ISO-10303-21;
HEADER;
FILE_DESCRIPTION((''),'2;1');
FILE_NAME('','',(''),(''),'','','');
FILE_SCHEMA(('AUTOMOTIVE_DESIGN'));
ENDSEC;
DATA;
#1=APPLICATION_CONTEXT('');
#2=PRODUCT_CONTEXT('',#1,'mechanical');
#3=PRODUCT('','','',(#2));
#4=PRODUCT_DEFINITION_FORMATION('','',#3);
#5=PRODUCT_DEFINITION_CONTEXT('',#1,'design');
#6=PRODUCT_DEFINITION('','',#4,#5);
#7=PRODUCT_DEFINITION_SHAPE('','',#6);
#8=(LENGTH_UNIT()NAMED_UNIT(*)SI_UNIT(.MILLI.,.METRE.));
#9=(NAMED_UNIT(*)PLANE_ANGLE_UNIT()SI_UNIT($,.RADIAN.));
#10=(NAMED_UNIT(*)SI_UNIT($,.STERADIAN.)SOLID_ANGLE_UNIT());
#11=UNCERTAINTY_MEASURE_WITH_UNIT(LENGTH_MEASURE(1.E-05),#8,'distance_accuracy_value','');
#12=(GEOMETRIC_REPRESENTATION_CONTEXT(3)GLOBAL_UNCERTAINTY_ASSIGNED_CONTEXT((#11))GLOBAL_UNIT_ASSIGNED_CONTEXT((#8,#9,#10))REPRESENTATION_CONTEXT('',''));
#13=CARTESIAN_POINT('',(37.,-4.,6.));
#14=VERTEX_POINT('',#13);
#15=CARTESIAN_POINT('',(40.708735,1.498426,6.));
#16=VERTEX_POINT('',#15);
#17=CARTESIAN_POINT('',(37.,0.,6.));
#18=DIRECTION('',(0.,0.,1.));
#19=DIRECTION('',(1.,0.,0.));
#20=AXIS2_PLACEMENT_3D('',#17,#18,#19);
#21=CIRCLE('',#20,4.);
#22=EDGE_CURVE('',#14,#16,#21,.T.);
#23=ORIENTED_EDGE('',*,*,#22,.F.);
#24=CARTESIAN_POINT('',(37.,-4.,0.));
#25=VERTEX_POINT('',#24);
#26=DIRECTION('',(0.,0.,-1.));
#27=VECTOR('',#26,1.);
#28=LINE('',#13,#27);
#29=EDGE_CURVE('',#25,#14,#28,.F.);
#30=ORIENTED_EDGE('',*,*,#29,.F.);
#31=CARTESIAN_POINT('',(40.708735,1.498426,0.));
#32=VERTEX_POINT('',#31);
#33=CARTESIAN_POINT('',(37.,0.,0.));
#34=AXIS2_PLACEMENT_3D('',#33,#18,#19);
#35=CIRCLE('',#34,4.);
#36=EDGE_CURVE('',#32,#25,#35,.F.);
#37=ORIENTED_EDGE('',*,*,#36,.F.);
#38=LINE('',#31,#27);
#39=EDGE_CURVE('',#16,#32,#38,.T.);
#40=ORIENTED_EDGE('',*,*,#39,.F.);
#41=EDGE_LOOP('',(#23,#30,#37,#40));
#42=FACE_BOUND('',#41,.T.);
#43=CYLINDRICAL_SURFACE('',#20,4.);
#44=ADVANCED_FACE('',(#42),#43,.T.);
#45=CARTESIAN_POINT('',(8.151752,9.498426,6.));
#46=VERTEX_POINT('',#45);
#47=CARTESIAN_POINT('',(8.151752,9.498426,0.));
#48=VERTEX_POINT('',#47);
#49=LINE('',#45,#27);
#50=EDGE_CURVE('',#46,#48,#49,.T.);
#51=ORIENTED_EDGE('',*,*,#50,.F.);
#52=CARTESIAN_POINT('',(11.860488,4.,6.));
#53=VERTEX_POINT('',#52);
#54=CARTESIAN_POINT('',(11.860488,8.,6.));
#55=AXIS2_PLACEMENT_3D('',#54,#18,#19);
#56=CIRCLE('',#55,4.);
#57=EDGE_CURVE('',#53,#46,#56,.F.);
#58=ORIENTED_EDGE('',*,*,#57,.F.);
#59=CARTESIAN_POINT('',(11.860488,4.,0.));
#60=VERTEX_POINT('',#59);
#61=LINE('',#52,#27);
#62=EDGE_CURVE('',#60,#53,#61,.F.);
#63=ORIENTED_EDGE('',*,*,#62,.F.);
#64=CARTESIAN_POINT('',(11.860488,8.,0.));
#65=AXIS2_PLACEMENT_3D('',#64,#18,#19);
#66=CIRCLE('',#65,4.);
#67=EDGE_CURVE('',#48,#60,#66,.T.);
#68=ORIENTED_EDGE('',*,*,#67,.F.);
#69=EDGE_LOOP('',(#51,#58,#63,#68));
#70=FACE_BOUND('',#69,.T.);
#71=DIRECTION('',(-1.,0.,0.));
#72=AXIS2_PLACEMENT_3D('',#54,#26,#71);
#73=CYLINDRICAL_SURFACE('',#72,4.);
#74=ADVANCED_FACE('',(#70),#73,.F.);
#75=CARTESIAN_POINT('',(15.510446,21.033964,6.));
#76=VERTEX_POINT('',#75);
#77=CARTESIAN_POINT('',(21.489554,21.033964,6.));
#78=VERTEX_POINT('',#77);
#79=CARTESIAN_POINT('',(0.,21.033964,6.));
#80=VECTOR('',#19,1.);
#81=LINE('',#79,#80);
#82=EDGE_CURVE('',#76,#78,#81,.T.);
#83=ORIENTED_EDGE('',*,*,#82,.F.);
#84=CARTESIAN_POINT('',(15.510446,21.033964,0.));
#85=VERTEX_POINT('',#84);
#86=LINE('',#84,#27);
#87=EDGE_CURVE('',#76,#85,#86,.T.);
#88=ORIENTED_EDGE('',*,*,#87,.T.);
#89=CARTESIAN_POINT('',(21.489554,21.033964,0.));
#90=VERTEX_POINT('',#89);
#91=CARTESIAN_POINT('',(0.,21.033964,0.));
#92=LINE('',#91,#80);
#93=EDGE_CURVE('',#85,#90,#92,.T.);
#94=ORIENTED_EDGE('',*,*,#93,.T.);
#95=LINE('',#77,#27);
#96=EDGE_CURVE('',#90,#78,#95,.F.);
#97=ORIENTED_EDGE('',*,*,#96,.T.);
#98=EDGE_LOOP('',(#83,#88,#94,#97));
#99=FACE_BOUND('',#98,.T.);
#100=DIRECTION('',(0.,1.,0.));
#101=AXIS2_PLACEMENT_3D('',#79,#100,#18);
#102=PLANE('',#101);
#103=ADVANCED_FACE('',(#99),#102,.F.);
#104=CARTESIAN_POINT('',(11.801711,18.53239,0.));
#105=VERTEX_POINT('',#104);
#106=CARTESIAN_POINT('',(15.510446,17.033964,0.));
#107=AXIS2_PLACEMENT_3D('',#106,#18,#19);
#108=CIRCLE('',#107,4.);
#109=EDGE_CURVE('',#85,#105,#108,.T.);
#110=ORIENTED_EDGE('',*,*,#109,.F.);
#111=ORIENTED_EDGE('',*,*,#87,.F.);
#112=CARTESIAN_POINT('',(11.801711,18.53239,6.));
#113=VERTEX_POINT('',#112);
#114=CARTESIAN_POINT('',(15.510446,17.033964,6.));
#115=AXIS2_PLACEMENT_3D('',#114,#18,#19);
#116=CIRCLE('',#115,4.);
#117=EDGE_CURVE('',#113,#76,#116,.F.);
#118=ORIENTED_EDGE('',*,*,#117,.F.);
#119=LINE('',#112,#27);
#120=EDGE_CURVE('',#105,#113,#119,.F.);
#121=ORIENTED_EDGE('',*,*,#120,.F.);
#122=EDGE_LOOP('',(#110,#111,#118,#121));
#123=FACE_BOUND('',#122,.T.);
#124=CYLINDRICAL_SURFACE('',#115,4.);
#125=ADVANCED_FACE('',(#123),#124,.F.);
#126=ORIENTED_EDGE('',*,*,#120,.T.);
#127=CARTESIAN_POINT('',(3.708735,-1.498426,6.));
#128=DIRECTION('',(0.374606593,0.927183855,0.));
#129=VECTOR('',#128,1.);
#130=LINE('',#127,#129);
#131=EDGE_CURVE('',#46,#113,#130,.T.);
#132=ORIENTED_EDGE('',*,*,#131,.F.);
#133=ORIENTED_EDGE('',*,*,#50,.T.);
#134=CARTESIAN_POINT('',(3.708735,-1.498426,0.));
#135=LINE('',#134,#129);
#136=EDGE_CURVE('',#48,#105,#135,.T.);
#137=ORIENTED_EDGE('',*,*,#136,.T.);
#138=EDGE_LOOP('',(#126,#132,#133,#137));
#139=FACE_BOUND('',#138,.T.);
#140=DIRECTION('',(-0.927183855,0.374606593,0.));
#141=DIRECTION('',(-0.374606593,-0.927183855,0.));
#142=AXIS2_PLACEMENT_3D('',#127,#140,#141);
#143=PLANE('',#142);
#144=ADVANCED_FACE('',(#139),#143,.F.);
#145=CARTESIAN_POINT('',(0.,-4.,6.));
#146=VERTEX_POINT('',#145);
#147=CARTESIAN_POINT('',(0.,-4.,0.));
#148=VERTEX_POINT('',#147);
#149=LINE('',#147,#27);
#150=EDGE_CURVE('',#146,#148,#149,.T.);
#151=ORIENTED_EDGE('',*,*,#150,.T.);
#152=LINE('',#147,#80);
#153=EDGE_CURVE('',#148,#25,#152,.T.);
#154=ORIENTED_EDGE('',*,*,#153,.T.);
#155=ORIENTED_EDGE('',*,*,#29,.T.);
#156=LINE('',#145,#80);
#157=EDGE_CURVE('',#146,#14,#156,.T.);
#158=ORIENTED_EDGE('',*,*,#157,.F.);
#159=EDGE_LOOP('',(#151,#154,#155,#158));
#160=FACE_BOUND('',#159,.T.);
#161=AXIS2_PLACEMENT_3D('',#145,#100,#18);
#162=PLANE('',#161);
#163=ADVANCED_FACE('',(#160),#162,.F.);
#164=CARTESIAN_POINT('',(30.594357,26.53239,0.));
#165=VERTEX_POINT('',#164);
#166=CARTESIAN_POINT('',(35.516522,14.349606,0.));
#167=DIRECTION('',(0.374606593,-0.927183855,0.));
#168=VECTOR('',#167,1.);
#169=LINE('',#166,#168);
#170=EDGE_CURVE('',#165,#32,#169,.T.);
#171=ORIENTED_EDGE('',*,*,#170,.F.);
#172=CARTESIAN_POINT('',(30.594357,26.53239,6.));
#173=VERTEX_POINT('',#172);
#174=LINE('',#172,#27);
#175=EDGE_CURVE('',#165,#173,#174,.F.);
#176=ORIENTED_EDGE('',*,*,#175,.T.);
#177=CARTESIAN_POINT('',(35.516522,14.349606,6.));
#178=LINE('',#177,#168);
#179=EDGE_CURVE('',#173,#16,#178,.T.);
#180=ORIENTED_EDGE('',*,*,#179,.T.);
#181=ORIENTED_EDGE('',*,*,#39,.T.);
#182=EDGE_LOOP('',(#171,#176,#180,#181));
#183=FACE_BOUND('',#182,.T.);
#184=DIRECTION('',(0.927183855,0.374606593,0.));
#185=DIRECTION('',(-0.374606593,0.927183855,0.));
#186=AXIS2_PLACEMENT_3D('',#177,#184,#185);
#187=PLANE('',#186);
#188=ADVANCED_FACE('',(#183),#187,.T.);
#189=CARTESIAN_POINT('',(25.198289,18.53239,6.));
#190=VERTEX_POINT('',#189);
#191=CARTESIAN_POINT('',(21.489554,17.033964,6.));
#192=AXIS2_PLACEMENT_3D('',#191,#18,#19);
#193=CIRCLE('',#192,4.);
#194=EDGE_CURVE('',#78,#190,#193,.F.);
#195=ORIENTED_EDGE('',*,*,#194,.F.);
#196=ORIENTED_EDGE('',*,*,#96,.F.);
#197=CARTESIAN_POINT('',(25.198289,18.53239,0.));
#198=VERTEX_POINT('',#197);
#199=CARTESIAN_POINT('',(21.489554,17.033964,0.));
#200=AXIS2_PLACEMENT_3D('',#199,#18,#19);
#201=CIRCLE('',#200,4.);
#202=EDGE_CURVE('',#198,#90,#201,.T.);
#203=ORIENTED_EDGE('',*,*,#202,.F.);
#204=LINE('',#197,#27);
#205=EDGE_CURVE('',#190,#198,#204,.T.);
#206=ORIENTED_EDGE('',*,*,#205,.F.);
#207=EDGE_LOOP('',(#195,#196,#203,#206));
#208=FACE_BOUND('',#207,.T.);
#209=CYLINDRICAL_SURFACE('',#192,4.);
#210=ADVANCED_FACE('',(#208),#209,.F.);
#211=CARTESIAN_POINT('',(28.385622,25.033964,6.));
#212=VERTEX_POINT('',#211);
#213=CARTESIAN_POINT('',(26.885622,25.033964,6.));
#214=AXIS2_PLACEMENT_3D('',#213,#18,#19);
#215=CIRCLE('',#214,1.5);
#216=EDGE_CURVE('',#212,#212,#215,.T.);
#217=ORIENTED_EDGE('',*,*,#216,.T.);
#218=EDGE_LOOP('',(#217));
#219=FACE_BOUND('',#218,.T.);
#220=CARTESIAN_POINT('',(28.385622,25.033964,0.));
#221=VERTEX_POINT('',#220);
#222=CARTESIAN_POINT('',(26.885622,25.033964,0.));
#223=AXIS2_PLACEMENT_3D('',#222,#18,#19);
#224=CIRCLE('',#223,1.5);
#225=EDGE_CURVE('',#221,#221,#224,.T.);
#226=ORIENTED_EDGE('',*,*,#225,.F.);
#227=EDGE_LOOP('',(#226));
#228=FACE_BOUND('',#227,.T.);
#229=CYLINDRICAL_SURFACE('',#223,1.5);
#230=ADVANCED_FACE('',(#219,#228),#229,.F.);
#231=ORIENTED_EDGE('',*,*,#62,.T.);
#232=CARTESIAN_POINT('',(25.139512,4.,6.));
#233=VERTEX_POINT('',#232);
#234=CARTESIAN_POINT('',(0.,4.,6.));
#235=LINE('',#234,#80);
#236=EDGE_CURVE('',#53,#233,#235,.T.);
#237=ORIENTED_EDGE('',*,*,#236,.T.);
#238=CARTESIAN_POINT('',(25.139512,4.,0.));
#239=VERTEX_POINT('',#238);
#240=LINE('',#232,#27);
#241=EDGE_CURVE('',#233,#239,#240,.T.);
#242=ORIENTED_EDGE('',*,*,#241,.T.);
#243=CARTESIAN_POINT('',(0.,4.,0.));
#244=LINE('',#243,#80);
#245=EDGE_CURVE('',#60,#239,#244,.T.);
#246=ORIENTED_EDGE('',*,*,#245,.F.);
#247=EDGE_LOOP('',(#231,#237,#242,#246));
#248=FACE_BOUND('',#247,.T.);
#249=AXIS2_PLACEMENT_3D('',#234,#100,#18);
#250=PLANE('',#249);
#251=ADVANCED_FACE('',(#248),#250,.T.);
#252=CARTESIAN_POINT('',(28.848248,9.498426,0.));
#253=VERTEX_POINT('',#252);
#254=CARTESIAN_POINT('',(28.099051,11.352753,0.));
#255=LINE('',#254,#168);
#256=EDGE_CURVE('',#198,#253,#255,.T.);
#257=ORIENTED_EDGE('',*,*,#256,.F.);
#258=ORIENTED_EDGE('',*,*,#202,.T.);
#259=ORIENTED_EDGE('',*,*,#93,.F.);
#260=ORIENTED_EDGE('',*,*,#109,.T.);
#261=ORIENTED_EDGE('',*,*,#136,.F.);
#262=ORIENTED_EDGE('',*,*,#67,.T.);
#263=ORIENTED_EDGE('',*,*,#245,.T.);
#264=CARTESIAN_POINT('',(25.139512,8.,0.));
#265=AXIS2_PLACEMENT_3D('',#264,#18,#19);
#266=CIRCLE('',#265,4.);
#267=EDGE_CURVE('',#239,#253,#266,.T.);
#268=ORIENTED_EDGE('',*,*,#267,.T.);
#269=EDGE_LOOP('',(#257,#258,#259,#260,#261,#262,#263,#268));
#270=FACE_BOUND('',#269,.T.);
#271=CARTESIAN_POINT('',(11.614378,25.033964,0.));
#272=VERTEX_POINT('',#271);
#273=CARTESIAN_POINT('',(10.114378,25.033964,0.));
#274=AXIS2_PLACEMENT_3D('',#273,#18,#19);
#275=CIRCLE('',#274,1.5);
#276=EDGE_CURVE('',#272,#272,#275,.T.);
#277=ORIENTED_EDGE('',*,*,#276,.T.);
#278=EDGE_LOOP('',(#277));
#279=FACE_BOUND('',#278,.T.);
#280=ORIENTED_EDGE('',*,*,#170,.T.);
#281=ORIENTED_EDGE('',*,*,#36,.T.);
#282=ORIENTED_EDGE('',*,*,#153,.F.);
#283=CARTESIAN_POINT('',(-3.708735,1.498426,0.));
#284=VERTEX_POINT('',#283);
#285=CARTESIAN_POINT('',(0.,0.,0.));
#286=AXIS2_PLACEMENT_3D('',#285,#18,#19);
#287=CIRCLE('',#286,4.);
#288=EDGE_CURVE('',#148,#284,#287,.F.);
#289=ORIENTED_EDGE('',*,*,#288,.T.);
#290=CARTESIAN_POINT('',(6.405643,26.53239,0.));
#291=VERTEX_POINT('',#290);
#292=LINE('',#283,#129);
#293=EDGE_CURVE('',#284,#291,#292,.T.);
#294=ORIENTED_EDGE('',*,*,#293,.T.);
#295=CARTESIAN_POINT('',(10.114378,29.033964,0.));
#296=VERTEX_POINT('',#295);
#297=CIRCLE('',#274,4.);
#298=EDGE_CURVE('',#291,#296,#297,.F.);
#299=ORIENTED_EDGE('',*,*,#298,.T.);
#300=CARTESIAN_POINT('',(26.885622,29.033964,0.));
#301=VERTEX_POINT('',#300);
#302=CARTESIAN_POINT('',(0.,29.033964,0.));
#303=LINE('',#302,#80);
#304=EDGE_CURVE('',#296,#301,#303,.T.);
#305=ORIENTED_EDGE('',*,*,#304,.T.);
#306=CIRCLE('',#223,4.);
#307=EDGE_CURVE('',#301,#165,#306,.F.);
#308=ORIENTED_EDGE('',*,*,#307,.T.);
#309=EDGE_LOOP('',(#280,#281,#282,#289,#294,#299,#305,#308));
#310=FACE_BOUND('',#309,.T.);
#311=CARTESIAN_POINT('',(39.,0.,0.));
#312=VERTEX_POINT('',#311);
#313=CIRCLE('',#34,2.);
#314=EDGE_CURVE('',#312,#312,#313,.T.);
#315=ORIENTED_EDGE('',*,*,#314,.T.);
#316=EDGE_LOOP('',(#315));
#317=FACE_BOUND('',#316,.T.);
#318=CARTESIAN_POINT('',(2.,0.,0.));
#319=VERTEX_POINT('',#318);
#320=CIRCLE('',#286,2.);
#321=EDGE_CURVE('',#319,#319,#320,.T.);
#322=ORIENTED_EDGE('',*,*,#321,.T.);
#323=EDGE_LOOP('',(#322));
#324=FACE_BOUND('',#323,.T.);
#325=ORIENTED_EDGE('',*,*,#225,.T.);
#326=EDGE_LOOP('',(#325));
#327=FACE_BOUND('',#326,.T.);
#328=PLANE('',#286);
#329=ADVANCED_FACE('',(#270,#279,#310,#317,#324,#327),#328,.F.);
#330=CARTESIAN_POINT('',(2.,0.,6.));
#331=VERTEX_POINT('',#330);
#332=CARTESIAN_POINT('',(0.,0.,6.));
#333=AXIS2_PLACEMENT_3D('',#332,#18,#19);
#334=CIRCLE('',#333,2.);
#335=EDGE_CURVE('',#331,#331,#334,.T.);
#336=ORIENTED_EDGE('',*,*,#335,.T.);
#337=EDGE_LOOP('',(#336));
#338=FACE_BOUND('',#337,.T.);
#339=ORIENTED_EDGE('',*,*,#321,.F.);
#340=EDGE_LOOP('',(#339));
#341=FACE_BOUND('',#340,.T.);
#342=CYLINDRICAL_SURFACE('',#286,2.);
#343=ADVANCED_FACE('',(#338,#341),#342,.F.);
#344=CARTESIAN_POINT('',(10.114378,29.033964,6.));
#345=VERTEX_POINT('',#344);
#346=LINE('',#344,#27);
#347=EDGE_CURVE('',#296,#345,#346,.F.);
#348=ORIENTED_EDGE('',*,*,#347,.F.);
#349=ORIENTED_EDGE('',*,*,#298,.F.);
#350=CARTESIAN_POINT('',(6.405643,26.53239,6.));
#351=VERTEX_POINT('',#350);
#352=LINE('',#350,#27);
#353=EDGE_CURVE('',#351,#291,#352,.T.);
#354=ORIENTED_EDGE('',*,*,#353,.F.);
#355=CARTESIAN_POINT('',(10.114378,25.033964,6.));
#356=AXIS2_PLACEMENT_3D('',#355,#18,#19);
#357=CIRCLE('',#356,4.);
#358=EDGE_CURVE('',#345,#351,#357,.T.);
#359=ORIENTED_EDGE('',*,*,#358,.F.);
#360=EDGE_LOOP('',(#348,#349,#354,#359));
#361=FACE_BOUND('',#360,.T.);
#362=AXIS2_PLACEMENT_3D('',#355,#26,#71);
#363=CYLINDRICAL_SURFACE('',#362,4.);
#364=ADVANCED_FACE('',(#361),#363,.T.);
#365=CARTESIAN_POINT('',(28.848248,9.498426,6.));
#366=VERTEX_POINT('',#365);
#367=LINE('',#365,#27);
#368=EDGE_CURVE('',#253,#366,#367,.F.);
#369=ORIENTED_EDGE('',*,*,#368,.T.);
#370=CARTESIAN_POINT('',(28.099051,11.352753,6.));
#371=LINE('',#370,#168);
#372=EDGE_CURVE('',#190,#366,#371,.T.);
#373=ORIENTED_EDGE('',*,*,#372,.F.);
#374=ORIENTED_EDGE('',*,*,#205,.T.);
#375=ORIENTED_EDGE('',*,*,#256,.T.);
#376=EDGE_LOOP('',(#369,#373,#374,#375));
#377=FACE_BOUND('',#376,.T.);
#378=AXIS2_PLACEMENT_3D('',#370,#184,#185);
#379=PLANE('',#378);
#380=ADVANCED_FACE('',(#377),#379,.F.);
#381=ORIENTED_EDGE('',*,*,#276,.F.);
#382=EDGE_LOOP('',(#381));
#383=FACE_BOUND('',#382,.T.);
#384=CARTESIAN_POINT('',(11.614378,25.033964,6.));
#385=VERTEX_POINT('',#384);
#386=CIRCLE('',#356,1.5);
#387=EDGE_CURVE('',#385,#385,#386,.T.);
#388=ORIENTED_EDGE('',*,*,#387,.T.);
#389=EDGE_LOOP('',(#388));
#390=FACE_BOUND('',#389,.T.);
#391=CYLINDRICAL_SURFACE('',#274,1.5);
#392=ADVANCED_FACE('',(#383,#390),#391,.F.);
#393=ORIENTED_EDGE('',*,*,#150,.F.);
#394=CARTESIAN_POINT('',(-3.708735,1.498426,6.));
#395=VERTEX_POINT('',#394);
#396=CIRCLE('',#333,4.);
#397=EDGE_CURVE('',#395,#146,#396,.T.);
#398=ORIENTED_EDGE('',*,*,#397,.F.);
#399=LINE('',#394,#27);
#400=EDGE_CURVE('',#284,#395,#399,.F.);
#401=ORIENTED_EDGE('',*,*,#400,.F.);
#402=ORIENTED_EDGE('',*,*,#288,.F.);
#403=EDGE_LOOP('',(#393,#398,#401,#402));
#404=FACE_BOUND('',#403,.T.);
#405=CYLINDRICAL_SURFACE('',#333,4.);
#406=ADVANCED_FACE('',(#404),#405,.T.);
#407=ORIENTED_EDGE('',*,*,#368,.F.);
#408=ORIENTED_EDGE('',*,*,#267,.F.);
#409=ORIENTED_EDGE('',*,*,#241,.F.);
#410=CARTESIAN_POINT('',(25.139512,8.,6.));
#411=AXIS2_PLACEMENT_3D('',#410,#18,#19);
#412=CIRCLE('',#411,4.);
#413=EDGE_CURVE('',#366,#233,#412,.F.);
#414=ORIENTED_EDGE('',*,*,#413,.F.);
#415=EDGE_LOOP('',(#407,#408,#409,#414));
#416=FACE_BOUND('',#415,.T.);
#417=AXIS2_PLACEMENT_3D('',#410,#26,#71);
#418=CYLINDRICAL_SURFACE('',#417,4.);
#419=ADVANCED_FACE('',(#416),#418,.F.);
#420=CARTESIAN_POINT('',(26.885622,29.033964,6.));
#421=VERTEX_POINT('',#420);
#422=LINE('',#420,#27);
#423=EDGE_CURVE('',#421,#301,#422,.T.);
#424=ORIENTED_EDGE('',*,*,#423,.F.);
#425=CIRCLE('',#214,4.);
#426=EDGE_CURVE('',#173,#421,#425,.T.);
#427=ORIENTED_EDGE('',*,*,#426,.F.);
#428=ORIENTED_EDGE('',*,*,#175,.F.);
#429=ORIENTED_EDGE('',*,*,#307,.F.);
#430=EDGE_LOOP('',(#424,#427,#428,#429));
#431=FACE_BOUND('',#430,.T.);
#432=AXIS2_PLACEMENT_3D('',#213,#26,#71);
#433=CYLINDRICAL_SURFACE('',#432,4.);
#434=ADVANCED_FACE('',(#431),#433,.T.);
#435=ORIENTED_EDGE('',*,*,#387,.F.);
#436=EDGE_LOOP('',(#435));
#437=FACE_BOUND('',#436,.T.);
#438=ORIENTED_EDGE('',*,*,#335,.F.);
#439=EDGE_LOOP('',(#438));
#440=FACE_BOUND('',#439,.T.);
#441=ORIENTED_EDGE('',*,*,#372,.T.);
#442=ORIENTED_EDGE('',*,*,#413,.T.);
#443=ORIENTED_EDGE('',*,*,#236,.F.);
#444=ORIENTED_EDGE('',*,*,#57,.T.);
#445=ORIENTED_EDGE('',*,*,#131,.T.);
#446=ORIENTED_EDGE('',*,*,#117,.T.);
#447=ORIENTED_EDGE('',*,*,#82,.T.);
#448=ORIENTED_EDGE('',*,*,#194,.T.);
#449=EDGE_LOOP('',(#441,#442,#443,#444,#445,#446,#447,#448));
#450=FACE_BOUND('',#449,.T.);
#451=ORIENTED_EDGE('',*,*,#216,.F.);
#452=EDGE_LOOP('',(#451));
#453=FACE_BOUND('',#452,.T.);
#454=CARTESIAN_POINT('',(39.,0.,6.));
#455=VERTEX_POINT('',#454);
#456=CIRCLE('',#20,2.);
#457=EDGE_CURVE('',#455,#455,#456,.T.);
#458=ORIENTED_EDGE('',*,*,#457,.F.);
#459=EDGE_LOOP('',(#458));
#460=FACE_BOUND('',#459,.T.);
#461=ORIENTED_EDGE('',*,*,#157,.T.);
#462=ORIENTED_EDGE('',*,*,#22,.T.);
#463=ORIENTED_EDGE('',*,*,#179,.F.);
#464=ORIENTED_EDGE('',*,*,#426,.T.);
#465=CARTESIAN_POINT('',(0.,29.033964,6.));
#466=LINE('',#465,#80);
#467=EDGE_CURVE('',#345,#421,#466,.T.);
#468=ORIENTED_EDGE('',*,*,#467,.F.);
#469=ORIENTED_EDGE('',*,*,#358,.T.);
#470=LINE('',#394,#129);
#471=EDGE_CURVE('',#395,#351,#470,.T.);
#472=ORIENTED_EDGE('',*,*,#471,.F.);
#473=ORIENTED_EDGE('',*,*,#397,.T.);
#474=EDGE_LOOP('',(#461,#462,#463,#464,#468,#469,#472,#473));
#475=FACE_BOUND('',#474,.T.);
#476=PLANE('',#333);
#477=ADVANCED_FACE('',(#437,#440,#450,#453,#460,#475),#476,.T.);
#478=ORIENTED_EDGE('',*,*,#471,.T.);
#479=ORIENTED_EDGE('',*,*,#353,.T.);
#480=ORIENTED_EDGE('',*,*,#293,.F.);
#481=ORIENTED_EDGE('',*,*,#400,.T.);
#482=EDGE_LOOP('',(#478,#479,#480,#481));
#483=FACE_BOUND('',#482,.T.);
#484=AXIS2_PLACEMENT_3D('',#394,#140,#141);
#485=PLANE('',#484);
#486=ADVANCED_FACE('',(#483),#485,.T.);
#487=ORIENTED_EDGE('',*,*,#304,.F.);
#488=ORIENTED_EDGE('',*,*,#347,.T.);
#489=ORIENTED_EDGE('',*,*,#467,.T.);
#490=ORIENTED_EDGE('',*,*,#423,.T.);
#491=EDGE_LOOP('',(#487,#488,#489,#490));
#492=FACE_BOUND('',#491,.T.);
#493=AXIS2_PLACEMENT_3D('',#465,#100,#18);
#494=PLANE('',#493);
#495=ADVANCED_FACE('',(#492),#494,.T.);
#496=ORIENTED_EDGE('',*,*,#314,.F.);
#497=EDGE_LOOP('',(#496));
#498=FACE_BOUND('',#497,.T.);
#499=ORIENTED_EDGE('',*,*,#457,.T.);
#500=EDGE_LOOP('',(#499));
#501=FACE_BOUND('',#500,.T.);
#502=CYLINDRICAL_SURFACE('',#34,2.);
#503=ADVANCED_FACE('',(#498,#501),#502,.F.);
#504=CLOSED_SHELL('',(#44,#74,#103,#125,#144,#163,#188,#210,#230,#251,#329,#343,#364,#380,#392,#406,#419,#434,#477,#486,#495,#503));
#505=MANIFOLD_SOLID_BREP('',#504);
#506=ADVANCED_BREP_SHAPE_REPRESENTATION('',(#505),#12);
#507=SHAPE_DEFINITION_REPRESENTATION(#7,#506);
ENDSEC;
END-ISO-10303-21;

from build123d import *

# Parameters (mm, degrees)
EXTRUDE_1_DEPTH     = 6
SKETCH_5_R          = 2
SKETCH_5_R_2        = 1.5
CUT_EXTRUDE_3_DEPTH = 53.172568548
FILLET_1_R          = 4


with BuildPart() as part:
    # d → 凸台-拉伸1 (new body)
    # profile 1 of 2: a face of its own
    with BuildSketch(Plane.XY):
        Polygon((-5.930243874, -4), (7.416343955, 29.033964073), (29.583656045, 29.033964073), (42.930243874, -4), align=None)
        Polygon((0, 0), (37, 0), (26.885621978, 25.033964073), (10.114378022, 25.033964073), align=None, mode=Mode.SUBTRACT)
    # profile 2 of 2: a face of its own
    with BuildSketch(Plane.XY):
        Polygon((0, 0), (10.114378022, 25.033964073), (26.885621978, 25.033964073), (37, 0), align=None)
        Polygon((5.930243874, 4), (31.069756126, 4), (24.18758791, 21.033964073), (12.81241209, 21.033964073), align=None, mode=Mode.SUBTRACT)
    extrude(amount=EXTRUDE_1_DEPTH)

    # 草图5 → 切除-拉伸3 (cut, through all)
    with BuildSketch(Plane.XY.offset(6)):
        Circle(SKETCH_5_R)
        with Locations((37, 0)):
            Circle(SKETCH_5_R)
        with Locations((26.885621978, 25.033964073)):
            Circle(SKETCH_5_R_2)
        with Locations((10.114378022, 25.033964073)):
            Circle(SKETCH_5_R_2)
    extrude(amount=-CUT_EXTRUDE_3_DEPTH, mode=Mode.SUBTRACT)

    # 圆角1
    fillet_1_edges = [part.edges().sort_by_distance(p)[0] for p in [
        (31.069756126, 4, 3),
        (24.18758791, 21.033964073, 3),
        (12.81241209, 21.033964073, 3),
        (5.930243874, 4, 3),
        (7.416343955, 29.033964073, 3),
        (29.583656045, 29.033964073, 3),
        (42.930243874, -4, 3),
        (-5.930243874, -4, 3),
    ]]
    fillet(fillet_1_edges, radius=FILLET_1_R)


solid = part.part
